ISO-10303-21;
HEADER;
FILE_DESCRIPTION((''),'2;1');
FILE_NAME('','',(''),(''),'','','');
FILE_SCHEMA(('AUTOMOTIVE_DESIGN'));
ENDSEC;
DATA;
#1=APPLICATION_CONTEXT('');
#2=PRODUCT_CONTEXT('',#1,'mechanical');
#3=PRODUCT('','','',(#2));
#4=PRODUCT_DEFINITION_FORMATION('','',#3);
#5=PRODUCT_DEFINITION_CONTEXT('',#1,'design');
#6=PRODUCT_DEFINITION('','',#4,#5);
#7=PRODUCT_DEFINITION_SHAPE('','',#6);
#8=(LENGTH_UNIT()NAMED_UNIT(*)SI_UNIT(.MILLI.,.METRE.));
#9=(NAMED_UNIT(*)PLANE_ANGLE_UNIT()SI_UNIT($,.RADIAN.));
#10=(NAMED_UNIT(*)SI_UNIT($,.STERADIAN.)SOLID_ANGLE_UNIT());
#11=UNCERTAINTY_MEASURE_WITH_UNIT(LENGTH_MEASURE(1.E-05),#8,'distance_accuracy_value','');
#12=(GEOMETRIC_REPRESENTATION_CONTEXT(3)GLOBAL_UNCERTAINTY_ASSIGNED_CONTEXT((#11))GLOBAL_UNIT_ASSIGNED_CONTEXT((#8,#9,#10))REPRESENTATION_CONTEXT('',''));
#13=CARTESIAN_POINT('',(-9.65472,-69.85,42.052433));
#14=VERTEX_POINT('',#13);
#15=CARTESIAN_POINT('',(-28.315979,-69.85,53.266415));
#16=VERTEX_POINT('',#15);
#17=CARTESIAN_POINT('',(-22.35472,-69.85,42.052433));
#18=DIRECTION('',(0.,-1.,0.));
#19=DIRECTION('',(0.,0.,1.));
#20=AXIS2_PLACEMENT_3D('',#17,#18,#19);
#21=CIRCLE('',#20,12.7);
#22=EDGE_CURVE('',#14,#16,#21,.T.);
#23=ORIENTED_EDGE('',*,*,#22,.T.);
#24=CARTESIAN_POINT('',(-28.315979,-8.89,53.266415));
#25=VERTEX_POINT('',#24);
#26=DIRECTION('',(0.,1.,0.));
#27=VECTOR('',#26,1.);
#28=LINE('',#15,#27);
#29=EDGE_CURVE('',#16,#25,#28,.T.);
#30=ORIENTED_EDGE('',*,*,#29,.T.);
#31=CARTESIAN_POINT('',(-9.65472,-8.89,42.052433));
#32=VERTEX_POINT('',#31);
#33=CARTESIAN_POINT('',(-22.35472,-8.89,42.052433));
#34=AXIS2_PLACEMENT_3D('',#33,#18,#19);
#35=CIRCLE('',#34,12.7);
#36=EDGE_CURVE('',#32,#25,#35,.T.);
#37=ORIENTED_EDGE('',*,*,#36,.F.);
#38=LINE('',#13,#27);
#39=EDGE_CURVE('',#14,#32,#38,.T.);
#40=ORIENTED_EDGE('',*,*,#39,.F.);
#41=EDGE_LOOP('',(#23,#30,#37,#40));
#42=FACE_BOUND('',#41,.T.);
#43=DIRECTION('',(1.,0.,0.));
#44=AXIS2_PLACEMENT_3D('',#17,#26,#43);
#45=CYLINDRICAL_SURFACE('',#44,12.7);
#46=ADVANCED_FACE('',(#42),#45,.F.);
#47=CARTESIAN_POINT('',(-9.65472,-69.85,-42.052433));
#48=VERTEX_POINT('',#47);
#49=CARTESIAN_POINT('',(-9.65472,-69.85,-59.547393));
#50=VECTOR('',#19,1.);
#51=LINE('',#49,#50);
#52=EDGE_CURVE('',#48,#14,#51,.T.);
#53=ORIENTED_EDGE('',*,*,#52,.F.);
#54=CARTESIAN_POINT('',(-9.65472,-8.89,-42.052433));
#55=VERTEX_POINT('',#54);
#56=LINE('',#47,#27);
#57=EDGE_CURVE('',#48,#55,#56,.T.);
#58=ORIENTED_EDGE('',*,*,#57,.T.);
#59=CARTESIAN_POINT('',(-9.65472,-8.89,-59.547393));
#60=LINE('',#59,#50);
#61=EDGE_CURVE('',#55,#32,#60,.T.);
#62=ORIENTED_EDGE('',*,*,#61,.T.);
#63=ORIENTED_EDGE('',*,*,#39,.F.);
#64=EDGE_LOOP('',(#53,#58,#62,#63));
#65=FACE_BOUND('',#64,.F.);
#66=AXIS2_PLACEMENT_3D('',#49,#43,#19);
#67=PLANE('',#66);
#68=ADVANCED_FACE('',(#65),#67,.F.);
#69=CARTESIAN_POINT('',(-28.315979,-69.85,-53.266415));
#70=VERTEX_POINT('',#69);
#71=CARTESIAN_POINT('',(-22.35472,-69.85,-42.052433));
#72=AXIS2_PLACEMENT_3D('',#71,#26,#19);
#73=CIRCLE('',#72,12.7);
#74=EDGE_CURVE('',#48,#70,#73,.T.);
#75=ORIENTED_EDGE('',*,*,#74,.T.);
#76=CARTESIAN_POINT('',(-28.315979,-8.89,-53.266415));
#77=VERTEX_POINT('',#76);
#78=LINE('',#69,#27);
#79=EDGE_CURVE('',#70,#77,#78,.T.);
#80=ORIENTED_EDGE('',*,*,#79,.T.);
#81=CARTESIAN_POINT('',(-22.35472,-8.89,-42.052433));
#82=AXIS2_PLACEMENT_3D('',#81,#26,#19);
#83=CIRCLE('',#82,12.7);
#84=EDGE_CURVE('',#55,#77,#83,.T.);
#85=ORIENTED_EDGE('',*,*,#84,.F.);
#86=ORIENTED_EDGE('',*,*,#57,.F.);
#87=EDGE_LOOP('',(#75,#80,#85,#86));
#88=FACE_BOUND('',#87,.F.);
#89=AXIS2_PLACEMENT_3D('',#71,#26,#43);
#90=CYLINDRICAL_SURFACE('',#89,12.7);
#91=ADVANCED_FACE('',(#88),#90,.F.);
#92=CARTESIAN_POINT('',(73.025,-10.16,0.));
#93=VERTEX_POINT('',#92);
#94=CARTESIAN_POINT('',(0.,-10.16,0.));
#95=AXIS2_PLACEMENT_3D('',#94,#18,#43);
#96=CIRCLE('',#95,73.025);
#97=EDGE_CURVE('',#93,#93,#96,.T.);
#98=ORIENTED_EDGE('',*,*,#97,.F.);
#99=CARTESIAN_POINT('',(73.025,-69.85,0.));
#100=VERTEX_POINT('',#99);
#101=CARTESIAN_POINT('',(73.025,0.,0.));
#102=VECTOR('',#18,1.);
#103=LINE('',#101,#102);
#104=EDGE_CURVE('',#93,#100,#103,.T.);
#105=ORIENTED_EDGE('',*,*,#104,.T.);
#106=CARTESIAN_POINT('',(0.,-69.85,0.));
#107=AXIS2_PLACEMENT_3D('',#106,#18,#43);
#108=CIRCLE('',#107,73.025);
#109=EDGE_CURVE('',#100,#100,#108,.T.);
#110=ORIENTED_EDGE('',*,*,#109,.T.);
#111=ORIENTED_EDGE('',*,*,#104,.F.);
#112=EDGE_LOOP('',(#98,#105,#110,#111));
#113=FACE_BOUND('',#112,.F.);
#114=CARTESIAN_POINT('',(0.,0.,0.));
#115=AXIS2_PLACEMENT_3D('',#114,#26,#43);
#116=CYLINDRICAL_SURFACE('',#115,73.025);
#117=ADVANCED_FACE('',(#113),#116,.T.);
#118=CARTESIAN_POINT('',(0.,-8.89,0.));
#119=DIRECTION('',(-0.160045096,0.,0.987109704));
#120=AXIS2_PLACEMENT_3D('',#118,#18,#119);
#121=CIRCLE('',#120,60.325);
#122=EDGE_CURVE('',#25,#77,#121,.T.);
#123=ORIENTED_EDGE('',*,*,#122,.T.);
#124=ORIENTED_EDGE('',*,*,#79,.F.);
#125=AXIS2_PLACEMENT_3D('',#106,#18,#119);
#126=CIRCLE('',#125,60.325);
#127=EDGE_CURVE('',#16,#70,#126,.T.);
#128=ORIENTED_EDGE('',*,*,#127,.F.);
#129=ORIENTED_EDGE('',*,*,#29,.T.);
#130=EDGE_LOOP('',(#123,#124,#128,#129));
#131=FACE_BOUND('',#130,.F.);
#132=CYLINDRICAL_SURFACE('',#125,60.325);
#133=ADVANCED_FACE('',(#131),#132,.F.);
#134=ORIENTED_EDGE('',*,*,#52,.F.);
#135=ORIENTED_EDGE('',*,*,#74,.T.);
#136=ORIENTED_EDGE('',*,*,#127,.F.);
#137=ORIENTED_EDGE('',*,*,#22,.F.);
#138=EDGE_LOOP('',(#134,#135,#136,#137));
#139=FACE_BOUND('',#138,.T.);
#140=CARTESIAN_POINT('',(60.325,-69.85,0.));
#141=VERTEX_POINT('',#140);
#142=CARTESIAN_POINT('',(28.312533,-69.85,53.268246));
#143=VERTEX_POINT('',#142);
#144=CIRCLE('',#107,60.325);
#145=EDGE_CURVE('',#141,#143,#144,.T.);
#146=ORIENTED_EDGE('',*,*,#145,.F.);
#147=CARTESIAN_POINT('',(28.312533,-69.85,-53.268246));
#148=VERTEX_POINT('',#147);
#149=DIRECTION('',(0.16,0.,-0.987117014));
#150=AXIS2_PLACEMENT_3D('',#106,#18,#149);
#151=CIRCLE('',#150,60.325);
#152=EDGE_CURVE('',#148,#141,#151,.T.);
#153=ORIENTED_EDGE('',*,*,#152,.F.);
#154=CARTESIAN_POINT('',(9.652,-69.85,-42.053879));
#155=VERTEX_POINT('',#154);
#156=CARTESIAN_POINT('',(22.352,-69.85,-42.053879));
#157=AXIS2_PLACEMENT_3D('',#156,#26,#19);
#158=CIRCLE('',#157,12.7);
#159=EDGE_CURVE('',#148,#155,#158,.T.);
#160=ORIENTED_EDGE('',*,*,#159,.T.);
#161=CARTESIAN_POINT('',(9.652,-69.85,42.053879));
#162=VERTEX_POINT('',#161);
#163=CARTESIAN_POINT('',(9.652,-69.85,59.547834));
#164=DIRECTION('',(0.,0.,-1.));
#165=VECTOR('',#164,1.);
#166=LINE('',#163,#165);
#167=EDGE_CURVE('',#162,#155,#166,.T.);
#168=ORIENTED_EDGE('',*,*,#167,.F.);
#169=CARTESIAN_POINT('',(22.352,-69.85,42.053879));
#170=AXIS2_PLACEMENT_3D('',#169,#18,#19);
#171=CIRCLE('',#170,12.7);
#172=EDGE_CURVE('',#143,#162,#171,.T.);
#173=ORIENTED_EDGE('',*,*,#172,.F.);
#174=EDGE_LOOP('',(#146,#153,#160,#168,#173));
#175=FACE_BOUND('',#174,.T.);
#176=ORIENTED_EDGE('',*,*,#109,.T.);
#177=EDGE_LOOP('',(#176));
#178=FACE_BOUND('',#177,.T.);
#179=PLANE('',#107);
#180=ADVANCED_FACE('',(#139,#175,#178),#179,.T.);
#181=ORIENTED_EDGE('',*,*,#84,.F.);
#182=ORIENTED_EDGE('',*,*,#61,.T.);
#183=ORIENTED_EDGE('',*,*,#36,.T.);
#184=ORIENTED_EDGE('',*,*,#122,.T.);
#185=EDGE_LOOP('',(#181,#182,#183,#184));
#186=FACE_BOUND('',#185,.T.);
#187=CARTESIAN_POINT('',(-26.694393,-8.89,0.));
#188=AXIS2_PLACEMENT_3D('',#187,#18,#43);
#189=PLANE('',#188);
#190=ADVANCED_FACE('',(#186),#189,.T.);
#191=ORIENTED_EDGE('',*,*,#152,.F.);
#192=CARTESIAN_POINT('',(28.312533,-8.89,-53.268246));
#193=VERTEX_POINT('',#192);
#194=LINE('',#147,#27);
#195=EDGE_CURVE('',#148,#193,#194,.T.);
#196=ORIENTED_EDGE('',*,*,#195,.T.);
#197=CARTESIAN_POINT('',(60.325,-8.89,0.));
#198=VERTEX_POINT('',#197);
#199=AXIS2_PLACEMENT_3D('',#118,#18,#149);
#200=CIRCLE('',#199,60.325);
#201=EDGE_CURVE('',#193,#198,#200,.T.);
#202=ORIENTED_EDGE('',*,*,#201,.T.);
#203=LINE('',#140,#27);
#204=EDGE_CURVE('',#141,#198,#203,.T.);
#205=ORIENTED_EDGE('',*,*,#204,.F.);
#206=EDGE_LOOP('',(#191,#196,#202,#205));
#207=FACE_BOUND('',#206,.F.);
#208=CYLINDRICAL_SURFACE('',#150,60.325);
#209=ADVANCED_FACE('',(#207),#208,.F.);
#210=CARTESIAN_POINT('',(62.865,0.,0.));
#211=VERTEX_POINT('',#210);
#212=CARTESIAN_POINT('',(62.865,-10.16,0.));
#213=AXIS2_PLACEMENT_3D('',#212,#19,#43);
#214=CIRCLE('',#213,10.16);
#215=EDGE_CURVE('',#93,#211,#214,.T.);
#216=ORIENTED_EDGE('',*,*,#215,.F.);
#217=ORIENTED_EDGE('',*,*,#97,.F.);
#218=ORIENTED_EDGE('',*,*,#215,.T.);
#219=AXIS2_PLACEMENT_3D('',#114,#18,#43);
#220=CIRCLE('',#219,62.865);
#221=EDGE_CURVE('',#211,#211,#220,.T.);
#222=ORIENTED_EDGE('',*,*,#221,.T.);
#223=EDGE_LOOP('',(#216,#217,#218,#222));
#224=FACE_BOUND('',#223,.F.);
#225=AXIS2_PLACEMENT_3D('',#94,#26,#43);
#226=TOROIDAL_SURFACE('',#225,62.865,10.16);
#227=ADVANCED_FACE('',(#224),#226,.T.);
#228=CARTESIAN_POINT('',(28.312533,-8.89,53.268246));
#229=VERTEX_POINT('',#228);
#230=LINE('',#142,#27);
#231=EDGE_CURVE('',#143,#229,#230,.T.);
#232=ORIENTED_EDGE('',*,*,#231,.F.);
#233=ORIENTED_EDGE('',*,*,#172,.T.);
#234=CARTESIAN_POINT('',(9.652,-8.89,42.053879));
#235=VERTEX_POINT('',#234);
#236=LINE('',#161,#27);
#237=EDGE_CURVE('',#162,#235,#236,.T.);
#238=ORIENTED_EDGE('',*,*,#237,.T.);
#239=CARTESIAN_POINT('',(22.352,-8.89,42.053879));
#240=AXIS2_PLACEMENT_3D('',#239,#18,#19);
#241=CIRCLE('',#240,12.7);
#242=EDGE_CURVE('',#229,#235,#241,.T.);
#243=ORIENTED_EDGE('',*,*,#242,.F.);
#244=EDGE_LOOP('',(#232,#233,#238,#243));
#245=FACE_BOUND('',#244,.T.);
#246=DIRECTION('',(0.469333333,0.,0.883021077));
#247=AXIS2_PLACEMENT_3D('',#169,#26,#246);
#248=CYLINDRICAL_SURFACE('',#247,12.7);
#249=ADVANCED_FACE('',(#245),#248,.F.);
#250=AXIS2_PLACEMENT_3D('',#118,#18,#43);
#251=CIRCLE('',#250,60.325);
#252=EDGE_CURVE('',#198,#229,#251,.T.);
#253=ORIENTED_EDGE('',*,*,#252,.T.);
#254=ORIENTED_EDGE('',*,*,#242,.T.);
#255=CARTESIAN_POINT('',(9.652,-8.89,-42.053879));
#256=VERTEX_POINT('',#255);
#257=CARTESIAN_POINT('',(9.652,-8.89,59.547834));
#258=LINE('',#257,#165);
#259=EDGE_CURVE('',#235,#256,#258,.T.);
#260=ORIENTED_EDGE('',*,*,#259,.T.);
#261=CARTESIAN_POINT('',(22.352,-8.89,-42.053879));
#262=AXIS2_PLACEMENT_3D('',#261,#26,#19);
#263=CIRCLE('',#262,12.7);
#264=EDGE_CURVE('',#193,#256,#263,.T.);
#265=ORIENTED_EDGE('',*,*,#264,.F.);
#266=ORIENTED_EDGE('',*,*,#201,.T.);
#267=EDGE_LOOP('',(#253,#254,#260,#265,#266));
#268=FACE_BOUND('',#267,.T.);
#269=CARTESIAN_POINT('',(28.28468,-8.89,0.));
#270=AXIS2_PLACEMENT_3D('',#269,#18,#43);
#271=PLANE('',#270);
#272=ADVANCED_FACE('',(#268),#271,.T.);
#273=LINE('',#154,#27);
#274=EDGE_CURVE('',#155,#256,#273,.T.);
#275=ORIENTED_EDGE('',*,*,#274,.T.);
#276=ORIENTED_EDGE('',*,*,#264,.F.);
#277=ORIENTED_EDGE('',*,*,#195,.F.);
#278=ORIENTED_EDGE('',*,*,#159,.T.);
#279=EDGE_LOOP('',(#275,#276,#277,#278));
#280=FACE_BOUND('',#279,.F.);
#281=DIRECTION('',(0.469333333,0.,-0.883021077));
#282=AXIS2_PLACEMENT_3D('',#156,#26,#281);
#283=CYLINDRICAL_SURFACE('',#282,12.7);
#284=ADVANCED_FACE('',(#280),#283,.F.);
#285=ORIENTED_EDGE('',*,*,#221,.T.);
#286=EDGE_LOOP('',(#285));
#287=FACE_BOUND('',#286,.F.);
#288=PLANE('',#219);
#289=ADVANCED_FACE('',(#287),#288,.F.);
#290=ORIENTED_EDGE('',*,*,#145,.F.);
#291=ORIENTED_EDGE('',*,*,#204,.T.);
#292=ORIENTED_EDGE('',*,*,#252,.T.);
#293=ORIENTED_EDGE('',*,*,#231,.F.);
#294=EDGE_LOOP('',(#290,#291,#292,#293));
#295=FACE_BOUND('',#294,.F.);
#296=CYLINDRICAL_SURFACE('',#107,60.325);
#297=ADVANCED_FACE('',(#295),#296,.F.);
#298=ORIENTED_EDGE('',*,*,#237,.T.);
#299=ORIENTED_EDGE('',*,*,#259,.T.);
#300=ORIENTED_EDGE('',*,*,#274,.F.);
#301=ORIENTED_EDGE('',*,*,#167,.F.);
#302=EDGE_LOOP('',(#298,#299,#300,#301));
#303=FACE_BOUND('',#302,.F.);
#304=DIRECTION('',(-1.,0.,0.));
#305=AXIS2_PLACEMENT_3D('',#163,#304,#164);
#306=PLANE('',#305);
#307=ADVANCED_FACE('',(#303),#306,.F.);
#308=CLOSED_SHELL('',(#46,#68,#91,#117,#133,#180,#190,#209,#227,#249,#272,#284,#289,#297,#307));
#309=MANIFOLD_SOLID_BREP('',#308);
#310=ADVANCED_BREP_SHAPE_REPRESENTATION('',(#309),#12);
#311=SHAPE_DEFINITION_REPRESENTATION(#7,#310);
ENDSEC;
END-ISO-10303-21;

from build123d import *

# Parameters (mm, degrees)
F0_R     = 73.025
F1_DEPTH = 69.85
F3_DEPTH = 60.96
F4_R     = 12.7
F5_R     = 10.16


with BuildPart() as f1:
    # F0 (on Front) → F1 (new body)
    with BuildSketch(Plane.XZ):
        Circle(F0_R)
    extrude(amount=F1_DEPTH)

    # F2 (on face) → F3 (cut)
    with BuildSketch(Plane.XZ.offset(69.85)):
        with BuildLine():
            Line((-9.6547204396, -59.5473928752), (-9.6547204396, 59.5473928752))
            ThreePointArc((-9.6547204396, 59.5473928752), (-60.325, 0), (-9.6547204396, -59.5473928752))
        make_face()
        with BuildLine():
            ThreePointArc((9.652, -59.5478338901), (45.9421512611, -39.0950682631), (60.325, 0))
            ThreePointArc((60.325, 0), (45.9421512611, 39.0950682631), (9.652, 59.5478338901))
            Line((9.652, 59.5478338901), (9.652, -59.5478338901))
        make_face()
    extrude(amount=-F3_DEPTH, mode=Mode.SUBTRACT)

    # F4
    f4_edges = [f1.edges().sort_by_distance(p)[0] for p in [
        (9.652, -39.37, 59.547834),
        (-9.65472, -39.37, 59.547393),
        (9.652, -39.37, -59.547834),
        (-9.65472, -39.37, -59.547393),
    ]]
    fillet(f4_edges, radius=F4_R)

    # F5
    f5_edges = [f1.edges().sort_by_distance(p)[0] for p in [
        (-73.025, 0, 0),
    ]]
    fillet(f5_edges, radius=F5_R)


solid = f1.part
